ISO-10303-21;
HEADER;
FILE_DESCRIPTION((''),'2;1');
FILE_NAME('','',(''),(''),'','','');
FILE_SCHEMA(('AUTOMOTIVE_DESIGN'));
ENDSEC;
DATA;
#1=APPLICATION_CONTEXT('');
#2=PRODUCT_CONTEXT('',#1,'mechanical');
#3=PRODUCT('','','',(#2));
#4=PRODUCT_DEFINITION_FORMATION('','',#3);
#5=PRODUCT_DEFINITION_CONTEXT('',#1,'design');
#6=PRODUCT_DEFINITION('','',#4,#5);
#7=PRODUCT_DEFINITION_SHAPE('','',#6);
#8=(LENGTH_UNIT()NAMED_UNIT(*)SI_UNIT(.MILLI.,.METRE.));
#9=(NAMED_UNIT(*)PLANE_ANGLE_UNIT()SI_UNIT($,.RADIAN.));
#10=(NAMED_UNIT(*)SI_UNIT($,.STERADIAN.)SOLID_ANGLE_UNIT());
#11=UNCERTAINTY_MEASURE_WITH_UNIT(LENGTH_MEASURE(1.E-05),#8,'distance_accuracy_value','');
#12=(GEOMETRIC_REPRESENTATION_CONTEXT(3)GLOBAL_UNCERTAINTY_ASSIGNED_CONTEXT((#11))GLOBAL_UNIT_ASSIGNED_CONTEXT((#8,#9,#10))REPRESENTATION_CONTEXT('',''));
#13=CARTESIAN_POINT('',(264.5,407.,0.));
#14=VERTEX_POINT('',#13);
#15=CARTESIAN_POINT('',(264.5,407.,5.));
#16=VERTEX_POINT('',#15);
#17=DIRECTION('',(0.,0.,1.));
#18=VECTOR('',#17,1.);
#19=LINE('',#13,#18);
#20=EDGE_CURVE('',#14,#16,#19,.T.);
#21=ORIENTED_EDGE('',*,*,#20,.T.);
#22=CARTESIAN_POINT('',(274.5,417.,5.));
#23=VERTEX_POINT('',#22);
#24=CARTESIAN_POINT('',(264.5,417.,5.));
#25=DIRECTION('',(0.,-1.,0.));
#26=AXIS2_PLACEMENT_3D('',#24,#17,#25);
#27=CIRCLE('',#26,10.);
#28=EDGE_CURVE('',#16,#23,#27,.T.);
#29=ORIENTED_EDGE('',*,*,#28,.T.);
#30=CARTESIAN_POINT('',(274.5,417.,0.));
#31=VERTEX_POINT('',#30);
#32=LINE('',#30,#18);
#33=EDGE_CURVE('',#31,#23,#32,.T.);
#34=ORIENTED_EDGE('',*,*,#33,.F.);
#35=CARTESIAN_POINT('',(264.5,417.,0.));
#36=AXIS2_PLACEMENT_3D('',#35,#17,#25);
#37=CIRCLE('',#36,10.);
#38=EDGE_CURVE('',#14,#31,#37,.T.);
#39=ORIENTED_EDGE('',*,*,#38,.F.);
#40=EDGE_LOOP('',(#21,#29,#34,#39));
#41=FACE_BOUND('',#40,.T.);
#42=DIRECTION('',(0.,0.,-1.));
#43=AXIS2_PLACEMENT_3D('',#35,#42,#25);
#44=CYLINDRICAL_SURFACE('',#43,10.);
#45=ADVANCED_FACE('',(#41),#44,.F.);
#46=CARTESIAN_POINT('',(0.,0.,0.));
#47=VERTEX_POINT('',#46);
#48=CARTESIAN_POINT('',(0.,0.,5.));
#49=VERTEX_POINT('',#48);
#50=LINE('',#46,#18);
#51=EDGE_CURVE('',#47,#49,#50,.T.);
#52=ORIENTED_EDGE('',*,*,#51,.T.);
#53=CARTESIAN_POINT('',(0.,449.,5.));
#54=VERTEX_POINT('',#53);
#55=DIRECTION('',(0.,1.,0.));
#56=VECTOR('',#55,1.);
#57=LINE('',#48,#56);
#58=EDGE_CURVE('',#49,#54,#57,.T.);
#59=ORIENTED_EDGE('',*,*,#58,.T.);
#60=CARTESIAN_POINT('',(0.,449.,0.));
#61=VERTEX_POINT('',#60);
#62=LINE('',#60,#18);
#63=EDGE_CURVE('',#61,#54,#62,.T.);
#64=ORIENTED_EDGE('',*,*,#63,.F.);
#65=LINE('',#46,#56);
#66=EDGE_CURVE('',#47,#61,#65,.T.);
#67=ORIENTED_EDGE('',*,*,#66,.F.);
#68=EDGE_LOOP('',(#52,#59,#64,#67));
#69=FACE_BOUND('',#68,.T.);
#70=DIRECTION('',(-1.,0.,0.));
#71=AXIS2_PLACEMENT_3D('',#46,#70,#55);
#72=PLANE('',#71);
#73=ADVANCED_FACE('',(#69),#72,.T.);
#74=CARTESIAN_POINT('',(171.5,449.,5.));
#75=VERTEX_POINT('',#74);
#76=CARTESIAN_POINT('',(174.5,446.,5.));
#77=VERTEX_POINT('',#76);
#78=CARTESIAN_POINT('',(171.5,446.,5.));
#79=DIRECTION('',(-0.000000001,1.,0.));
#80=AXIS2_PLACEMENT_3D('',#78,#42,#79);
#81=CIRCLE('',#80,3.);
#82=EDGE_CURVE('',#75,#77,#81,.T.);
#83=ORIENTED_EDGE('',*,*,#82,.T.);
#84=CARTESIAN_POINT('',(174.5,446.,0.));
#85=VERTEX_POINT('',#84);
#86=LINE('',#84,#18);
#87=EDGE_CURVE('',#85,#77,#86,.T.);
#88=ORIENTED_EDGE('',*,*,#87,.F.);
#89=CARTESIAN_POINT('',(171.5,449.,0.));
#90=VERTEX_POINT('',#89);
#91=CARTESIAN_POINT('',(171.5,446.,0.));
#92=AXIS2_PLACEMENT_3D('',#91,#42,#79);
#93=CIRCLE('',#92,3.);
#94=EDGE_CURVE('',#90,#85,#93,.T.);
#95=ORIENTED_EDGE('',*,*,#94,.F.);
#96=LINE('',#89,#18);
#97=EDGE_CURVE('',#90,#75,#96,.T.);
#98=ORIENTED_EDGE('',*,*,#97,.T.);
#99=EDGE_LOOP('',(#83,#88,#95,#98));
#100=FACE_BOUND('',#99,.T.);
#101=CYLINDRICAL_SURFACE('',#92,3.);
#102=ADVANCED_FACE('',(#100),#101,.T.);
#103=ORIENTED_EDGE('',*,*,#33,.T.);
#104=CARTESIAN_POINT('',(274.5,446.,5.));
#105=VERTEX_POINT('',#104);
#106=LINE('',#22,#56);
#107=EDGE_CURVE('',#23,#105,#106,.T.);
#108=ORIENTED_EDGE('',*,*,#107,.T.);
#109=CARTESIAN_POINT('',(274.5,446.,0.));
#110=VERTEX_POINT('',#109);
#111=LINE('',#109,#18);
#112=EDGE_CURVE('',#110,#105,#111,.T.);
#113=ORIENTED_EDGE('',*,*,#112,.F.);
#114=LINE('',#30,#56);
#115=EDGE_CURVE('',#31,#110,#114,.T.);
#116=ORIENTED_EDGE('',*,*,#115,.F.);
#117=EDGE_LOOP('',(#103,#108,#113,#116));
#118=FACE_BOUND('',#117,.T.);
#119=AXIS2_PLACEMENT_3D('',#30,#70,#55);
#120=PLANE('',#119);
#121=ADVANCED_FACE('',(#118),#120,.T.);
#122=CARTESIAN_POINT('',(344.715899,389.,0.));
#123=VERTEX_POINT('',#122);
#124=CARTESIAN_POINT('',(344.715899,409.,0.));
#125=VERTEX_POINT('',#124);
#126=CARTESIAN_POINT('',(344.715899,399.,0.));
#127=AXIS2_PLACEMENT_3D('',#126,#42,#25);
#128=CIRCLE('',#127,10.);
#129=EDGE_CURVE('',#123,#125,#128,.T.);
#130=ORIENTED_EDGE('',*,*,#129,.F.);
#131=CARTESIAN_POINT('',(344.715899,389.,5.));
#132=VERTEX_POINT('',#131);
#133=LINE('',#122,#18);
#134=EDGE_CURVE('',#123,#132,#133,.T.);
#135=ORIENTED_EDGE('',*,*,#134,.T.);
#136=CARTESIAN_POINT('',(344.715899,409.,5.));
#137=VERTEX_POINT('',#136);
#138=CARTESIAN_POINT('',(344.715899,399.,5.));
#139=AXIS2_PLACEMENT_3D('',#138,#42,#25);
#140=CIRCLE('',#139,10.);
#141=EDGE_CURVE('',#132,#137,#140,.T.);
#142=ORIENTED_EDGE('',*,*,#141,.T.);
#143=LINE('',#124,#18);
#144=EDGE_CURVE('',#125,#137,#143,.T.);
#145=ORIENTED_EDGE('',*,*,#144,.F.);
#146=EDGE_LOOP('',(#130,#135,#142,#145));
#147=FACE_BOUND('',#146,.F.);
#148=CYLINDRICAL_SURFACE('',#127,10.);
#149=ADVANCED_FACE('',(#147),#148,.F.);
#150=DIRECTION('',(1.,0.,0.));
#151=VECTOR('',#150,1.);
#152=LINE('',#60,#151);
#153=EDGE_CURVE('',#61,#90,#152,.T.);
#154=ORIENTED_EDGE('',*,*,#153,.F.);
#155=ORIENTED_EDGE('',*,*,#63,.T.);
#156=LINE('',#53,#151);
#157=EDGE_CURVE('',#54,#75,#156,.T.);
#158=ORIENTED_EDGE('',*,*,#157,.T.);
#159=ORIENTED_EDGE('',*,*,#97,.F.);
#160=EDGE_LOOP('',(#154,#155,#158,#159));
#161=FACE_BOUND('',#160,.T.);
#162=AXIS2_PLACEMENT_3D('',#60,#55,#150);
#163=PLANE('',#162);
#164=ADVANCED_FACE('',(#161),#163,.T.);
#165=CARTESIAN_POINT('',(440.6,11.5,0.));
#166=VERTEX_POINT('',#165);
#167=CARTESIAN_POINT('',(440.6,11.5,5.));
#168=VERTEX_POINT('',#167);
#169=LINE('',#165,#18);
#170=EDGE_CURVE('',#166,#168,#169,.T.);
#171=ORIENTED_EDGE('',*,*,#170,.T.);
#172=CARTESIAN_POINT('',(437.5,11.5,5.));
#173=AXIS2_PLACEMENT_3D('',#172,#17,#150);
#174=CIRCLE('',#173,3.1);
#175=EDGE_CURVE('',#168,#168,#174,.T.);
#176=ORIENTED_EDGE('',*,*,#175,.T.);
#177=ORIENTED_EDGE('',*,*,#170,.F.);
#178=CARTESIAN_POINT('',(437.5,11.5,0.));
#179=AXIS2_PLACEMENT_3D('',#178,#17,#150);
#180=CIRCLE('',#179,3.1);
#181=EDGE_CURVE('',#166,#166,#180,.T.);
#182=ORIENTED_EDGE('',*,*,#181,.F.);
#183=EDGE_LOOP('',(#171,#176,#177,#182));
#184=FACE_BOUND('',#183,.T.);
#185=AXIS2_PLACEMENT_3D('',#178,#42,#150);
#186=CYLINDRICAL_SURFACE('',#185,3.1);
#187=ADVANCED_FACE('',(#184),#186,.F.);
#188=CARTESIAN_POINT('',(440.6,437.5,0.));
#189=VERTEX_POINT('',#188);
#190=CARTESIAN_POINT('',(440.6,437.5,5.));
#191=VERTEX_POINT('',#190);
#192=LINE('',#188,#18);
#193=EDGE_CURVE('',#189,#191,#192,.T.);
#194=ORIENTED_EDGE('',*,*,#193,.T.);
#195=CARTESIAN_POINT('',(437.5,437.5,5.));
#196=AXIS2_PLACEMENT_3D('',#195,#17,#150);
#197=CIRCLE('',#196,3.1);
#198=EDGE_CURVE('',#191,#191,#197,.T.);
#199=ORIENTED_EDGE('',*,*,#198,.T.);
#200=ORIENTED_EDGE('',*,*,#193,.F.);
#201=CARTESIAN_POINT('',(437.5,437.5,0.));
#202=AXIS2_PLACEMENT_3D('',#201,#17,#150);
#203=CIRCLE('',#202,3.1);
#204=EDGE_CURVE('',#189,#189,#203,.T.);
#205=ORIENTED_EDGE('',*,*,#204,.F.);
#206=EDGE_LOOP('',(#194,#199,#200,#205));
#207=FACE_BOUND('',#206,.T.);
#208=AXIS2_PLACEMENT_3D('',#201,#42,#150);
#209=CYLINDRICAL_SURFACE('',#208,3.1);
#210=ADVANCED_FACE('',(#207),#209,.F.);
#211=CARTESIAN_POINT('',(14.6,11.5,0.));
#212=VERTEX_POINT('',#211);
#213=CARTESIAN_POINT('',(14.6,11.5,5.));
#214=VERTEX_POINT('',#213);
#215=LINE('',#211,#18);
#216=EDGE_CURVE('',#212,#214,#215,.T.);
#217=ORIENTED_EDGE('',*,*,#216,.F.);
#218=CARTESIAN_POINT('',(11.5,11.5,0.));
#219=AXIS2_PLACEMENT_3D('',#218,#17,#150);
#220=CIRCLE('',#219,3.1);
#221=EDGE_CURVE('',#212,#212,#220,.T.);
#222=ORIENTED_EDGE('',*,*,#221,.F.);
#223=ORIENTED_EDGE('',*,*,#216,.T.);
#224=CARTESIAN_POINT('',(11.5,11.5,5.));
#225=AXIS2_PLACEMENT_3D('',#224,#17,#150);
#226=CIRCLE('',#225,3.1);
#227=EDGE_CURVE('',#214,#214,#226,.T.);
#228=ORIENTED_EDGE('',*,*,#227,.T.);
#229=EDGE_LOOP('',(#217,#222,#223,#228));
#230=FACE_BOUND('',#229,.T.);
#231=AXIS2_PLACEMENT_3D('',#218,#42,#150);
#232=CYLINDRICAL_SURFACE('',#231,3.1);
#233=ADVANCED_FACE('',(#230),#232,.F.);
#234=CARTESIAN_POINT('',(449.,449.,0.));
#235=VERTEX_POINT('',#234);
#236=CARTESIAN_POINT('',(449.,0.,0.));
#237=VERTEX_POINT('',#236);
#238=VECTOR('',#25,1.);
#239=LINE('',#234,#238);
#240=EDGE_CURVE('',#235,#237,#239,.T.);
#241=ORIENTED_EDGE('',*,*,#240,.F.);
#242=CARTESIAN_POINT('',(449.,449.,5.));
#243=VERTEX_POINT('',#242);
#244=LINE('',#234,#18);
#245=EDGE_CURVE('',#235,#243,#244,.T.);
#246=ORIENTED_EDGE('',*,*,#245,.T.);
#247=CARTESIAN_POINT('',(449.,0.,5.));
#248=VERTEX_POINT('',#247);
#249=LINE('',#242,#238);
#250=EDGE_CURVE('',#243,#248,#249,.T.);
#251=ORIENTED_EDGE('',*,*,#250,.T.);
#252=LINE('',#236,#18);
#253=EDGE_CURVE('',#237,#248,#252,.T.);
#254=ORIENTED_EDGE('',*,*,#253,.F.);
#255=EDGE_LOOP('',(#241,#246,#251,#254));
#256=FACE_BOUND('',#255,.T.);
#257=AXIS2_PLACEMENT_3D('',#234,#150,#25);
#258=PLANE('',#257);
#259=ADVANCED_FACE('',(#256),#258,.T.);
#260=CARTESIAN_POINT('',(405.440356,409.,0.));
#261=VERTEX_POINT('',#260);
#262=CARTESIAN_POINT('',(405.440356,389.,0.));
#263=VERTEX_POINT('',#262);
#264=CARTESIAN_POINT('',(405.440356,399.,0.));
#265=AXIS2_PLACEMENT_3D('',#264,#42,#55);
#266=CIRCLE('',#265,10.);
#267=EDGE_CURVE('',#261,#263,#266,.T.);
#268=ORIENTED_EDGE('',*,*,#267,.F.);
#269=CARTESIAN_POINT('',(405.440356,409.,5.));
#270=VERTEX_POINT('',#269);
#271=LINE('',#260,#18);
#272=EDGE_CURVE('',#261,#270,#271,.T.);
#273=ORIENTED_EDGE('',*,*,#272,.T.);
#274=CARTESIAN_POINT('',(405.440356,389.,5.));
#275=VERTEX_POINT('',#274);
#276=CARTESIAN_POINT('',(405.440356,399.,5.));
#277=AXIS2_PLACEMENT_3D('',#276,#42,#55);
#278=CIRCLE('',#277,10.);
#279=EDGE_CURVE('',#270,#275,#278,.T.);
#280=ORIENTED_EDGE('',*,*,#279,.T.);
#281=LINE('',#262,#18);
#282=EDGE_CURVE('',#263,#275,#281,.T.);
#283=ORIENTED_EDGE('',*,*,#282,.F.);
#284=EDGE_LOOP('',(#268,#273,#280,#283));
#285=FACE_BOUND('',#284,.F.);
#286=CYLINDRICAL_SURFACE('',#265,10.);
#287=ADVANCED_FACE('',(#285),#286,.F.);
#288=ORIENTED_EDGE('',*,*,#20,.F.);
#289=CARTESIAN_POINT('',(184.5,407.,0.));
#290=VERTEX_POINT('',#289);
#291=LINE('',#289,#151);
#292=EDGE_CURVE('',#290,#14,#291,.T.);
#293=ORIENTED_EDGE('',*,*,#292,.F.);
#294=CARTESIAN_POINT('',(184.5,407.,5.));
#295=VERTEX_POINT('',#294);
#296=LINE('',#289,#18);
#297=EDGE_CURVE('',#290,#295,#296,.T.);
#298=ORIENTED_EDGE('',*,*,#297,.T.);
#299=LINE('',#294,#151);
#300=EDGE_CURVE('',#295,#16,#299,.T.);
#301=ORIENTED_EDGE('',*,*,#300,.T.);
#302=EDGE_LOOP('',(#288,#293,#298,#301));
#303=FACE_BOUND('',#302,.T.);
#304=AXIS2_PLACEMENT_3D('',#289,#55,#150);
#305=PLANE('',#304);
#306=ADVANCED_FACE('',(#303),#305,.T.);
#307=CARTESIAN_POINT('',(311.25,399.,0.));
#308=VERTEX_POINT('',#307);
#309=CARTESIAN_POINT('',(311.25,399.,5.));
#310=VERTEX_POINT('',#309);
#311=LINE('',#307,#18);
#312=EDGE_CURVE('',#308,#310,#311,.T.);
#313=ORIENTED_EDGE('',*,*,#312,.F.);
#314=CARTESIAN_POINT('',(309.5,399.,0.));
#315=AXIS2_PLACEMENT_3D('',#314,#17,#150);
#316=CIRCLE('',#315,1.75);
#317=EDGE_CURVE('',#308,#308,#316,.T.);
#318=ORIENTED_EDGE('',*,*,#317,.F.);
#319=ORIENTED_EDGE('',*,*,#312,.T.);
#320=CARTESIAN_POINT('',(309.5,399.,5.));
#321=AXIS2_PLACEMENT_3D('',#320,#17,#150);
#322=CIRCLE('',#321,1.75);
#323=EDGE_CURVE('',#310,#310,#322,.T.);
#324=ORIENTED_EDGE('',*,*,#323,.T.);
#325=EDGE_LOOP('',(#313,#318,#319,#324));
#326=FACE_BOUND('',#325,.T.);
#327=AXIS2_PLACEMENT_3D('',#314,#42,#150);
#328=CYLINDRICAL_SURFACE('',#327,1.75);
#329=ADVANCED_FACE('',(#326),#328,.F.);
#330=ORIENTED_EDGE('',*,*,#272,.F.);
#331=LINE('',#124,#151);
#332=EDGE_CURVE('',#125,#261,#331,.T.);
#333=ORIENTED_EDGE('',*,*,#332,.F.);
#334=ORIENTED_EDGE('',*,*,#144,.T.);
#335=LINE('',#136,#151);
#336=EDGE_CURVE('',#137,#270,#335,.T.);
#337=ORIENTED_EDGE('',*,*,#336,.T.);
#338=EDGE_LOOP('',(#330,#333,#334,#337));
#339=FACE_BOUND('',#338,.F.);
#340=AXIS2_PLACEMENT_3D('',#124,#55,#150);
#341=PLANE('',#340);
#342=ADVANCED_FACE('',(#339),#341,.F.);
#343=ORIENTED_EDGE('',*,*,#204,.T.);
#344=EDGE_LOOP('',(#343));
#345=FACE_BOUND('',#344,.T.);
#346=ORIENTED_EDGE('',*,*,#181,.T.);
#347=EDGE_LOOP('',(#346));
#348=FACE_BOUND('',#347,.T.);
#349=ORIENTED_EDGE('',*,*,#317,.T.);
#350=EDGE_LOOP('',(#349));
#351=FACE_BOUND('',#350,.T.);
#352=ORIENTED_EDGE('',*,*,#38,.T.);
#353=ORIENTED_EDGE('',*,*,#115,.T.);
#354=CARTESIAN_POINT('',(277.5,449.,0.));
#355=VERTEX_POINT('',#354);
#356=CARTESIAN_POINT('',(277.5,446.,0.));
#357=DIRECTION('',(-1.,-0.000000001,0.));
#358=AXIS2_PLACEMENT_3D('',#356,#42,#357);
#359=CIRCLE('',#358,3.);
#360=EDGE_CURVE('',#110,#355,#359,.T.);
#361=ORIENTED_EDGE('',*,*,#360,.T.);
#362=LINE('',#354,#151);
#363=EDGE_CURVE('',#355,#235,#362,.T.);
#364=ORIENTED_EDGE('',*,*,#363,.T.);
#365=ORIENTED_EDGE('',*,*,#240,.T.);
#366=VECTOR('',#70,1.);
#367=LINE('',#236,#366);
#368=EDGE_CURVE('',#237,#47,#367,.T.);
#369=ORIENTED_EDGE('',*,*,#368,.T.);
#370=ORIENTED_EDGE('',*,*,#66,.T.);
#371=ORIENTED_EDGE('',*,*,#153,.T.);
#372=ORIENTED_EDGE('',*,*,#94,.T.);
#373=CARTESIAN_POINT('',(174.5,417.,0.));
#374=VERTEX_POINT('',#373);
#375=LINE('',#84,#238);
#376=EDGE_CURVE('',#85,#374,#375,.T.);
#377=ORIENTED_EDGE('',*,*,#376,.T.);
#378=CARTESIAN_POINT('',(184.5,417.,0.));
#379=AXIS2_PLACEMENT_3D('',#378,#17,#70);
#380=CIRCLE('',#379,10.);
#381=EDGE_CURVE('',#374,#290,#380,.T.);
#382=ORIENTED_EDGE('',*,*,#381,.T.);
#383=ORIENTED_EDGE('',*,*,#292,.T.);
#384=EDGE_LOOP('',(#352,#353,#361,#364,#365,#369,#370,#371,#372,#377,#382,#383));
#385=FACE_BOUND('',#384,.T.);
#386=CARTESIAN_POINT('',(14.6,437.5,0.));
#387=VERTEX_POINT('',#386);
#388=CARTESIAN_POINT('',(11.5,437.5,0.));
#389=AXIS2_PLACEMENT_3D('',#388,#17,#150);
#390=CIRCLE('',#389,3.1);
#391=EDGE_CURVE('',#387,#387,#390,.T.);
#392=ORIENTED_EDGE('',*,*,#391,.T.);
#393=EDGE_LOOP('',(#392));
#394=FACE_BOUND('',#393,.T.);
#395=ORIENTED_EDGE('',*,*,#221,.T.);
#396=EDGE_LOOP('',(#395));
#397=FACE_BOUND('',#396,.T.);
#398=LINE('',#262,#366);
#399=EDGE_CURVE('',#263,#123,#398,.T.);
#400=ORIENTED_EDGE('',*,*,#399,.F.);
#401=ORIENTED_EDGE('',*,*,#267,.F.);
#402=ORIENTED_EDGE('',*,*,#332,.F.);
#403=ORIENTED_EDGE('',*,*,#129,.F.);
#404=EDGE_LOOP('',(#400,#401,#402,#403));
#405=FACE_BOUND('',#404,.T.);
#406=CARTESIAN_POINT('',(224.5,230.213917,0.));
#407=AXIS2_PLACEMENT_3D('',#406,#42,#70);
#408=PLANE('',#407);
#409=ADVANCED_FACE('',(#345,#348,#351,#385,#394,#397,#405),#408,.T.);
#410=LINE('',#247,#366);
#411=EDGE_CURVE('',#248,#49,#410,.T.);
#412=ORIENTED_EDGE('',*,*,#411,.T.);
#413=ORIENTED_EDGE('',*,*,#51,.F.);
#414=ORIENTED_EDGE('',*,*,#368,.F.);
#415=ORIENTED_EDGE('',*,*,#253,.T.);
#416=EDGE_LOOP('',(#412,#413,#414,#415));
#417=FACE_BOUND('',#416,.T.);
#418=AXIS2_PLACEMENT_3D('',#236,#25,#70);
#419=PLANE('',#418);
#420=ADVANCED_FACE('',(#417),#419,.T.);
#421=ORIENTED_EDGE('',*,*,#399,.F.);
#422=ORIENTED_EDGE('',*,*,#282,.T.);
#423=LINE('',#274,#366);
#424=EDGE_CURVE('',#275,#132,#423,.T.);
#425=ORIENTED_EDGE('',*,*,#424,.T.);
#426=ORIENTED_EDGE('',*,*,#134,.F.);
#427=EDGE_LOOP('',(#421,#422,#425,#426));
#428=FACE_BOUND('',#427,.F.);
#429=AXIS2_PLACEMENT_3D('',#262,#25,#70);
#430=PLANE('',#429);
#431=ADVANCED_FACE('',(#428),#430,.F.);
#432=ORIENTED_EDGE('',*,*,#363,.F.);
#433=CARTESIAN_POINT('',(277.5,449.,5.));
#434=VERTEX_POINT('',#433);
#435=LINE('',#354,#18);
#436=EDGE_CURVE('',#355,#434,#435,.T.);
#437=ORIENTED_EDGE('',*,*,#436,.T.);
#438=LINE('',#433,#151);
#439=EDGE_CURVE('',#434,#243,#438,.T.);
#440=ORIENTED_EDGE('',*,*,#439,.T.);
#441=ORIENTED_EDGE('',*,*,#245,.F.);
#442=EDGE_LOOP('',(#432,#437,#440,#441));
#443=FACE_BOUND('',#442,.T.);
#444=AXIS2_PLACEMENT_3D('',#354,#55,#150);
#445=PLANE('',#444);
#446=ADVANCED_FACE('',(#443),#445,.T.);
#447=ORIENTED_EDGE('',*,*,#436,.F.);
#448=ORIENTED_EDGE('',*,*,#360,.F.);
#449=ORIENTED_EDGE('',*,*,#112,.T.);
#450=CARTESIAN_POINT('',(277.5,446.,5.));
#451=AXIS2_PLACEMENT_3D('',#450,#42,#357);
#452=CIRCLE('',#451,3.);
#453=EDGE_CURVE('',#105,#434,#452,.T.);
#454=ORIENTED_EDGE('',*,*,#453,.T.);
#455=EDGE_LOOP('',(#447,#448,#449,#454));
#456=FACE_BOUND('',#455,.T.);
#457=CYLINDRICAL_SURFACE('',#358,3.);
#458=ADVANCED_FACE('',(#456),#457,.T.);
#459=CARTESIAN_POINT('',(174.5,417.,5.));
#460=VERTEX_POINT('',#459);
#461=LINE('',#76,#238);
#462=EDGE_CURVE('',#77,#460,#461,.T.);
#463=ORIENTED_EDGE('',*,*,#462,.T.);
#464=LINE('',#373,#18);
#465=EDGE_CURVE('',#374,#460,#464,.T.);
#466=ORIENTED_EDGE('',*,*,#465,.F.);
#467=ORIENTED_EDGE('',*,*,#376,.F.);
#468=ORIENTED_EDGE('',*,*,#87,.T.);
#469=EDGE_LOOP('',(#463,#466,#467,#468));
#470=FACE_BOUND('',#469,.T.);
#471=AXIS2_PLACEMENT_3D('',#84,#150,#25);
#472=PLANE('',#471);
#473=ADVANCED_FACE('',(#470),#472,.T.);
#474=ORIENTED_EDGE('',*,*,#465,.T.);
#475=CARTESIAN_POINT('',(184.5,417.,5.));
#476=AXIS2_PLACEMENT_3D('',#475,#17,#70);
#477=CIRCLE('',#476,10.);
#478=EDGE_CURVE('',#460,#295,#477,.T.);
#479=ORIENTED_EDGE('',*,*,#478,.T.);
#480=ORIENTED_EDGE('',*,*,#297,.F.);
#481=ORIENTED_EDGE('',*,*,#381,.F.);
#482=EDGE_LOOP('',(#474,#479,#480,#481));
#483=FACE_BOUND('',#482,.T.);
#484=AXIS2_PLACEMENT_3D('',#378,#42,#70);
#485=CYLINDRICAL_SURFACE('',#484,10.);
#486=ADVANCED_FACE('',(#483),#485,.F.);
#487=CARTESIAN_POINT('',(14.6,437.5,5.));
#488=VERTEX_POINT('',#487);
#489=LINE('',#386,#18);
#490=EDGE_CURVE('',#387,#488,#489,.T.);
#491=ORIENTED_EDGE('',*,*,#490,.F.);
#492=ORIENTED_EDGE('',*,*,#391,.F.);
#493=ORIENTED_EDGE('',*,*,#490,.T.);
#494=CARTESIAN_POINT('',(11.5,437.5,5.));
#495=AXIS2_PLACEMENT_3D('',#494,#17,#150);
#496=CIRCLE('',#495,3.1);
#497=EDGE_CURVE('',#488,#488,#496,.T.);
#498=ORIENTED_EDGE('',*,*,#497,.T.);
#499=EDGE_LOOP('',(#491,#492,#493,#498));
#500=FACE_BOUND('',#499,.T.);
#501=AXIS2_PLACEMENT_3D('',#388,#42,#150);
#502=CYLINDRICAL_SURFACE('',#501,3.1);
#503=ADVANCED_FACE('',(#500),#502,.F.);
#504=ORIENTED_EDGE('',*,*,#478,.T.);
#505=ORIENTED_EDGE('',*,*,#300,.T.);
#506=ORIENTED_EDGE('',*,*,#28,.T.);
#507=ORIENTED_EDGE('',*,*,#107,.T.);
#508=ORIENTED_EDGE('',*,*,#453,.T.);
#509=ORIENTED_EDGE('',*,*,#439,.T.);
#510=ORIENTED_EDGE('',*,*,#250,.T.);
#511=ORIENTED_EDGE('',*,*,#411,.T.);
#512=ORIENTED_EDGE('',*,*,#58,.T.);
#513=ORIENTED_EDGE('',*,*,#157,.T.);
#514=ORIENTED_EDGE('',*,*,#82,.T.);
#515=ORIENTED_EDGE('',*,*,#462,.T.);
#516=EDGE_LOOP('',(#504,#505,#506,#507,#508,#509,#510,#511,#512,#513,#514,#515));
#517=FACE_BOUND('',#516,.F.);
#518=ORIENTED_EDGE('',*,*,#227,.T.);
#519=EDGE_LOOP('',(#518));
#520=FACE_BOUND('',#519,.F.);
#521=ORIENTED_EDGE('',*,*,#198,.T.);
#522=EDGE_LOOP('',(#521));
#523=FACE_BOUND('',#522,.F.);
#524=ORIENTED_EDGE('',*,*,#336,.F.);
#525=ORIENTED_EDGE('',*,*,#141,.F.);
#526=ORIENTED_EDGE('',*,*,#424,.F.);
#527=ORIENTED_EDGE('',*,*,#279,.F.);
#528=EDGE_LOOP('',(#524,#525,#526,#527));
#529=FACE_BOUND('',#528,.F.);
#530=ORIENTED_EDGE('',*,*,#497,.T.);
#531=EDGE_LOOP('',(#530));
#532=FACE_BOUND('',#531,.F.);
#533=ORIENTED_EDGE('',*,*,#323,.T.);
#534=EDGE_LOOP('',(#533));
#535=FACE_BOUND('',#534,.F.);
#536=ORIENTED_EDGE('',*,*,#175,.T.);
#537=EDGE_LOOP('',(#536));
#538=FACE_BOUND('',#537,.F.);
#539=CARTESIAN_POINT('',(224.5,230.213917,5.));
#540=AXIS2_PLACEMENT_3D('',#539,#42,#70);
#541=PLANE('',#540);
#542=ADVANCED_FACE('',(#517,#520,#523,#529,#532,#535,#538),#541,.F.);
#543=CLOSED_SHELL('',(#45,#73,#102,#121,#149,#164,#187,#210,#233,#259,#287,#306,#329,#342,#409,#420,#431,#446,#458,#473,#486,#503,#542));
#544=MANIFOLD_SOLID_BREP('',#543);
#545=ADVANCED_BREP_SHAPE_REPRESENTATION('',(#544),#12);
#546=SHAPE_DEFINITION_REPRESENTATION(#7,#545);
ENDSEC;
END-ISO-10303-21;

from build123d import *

# Parameters (mm, degrees)
SCHIZZO1_R                   = 3.1
SCHIZZO1_R_2                 = 1.75
ESTRUSIONE_ESTRUSIONE1_DEPTH = 5


with BuildPart() as part:
    # Schizzo1 → Estrusione-Estrusione1 (new body)
    with BuildSketch(Plane.XY):
        with BuildLine():
            Line((0, 0), (0, 449))
            Line((0, 449), (171.5, 449))
            ThreePointArc((171.5, 449), (173.621320344, 448.121320344), (174.5, 446))
            Line((174.5, 446), (174.5, 417))
            ThreePointArc((174.5, 417), (177.428932188, 409.928932188), (184.5, 407))
            Line((184.5, 407), (264.5, 407))
            ThreePointArc((264.5, 407), (271.571067812, 409.928932188), (274.5, 417))
            Line((274.5, 417), (274.5, 446))
            ThreePointArc((274.5, 446), (275.378679656, 448.121320344), (277.5, 449))
            Line((277.5, 449), (449, 449))
            Line((449, 449), (449, 0))
            Line((449, 0), (0, 0))
        make_face()
        with Locations((11.5, 11.5)):
            Circle(SCHIZZO1_R, mode=Mode.SUBTRACT)
        with Locations((437.5, 11.5)):
            Circle(SCHIZZO1_R, mode=Mode.SUBTRACT)
        with Locations((437.5, 437.5)):
            Circle(SCHIZZO1_R, mode=Mode.SUBTRACT)
        with Locations((11.5, 437.5)):
            Circle(SCHIZZO1_R, mode=Mode.SUBTRACT)
        with Locations((309.5, 399)):
            Circle(SCHIZZO1_R_2, mode=Mode.SUBTRACT)
        with BuildLine():
            Line((344.715899345, 409), (405.440355678, 409))
            ThreePointArc((405.440355678, 409), (415.440355678, 399), (405.440355678, 389))
            Line((405.440355678, 389), (344.715899345, 389))
            ThreePointArc((344.715899345, 389), (334.715899345, 399), (344.715899345, 409))
        make_face(mode=Mode.SUBTRACT)
    extrude(amount=ESTRUSIONE_ESTRUSIONE1_DEPTH)


solid = part.part
